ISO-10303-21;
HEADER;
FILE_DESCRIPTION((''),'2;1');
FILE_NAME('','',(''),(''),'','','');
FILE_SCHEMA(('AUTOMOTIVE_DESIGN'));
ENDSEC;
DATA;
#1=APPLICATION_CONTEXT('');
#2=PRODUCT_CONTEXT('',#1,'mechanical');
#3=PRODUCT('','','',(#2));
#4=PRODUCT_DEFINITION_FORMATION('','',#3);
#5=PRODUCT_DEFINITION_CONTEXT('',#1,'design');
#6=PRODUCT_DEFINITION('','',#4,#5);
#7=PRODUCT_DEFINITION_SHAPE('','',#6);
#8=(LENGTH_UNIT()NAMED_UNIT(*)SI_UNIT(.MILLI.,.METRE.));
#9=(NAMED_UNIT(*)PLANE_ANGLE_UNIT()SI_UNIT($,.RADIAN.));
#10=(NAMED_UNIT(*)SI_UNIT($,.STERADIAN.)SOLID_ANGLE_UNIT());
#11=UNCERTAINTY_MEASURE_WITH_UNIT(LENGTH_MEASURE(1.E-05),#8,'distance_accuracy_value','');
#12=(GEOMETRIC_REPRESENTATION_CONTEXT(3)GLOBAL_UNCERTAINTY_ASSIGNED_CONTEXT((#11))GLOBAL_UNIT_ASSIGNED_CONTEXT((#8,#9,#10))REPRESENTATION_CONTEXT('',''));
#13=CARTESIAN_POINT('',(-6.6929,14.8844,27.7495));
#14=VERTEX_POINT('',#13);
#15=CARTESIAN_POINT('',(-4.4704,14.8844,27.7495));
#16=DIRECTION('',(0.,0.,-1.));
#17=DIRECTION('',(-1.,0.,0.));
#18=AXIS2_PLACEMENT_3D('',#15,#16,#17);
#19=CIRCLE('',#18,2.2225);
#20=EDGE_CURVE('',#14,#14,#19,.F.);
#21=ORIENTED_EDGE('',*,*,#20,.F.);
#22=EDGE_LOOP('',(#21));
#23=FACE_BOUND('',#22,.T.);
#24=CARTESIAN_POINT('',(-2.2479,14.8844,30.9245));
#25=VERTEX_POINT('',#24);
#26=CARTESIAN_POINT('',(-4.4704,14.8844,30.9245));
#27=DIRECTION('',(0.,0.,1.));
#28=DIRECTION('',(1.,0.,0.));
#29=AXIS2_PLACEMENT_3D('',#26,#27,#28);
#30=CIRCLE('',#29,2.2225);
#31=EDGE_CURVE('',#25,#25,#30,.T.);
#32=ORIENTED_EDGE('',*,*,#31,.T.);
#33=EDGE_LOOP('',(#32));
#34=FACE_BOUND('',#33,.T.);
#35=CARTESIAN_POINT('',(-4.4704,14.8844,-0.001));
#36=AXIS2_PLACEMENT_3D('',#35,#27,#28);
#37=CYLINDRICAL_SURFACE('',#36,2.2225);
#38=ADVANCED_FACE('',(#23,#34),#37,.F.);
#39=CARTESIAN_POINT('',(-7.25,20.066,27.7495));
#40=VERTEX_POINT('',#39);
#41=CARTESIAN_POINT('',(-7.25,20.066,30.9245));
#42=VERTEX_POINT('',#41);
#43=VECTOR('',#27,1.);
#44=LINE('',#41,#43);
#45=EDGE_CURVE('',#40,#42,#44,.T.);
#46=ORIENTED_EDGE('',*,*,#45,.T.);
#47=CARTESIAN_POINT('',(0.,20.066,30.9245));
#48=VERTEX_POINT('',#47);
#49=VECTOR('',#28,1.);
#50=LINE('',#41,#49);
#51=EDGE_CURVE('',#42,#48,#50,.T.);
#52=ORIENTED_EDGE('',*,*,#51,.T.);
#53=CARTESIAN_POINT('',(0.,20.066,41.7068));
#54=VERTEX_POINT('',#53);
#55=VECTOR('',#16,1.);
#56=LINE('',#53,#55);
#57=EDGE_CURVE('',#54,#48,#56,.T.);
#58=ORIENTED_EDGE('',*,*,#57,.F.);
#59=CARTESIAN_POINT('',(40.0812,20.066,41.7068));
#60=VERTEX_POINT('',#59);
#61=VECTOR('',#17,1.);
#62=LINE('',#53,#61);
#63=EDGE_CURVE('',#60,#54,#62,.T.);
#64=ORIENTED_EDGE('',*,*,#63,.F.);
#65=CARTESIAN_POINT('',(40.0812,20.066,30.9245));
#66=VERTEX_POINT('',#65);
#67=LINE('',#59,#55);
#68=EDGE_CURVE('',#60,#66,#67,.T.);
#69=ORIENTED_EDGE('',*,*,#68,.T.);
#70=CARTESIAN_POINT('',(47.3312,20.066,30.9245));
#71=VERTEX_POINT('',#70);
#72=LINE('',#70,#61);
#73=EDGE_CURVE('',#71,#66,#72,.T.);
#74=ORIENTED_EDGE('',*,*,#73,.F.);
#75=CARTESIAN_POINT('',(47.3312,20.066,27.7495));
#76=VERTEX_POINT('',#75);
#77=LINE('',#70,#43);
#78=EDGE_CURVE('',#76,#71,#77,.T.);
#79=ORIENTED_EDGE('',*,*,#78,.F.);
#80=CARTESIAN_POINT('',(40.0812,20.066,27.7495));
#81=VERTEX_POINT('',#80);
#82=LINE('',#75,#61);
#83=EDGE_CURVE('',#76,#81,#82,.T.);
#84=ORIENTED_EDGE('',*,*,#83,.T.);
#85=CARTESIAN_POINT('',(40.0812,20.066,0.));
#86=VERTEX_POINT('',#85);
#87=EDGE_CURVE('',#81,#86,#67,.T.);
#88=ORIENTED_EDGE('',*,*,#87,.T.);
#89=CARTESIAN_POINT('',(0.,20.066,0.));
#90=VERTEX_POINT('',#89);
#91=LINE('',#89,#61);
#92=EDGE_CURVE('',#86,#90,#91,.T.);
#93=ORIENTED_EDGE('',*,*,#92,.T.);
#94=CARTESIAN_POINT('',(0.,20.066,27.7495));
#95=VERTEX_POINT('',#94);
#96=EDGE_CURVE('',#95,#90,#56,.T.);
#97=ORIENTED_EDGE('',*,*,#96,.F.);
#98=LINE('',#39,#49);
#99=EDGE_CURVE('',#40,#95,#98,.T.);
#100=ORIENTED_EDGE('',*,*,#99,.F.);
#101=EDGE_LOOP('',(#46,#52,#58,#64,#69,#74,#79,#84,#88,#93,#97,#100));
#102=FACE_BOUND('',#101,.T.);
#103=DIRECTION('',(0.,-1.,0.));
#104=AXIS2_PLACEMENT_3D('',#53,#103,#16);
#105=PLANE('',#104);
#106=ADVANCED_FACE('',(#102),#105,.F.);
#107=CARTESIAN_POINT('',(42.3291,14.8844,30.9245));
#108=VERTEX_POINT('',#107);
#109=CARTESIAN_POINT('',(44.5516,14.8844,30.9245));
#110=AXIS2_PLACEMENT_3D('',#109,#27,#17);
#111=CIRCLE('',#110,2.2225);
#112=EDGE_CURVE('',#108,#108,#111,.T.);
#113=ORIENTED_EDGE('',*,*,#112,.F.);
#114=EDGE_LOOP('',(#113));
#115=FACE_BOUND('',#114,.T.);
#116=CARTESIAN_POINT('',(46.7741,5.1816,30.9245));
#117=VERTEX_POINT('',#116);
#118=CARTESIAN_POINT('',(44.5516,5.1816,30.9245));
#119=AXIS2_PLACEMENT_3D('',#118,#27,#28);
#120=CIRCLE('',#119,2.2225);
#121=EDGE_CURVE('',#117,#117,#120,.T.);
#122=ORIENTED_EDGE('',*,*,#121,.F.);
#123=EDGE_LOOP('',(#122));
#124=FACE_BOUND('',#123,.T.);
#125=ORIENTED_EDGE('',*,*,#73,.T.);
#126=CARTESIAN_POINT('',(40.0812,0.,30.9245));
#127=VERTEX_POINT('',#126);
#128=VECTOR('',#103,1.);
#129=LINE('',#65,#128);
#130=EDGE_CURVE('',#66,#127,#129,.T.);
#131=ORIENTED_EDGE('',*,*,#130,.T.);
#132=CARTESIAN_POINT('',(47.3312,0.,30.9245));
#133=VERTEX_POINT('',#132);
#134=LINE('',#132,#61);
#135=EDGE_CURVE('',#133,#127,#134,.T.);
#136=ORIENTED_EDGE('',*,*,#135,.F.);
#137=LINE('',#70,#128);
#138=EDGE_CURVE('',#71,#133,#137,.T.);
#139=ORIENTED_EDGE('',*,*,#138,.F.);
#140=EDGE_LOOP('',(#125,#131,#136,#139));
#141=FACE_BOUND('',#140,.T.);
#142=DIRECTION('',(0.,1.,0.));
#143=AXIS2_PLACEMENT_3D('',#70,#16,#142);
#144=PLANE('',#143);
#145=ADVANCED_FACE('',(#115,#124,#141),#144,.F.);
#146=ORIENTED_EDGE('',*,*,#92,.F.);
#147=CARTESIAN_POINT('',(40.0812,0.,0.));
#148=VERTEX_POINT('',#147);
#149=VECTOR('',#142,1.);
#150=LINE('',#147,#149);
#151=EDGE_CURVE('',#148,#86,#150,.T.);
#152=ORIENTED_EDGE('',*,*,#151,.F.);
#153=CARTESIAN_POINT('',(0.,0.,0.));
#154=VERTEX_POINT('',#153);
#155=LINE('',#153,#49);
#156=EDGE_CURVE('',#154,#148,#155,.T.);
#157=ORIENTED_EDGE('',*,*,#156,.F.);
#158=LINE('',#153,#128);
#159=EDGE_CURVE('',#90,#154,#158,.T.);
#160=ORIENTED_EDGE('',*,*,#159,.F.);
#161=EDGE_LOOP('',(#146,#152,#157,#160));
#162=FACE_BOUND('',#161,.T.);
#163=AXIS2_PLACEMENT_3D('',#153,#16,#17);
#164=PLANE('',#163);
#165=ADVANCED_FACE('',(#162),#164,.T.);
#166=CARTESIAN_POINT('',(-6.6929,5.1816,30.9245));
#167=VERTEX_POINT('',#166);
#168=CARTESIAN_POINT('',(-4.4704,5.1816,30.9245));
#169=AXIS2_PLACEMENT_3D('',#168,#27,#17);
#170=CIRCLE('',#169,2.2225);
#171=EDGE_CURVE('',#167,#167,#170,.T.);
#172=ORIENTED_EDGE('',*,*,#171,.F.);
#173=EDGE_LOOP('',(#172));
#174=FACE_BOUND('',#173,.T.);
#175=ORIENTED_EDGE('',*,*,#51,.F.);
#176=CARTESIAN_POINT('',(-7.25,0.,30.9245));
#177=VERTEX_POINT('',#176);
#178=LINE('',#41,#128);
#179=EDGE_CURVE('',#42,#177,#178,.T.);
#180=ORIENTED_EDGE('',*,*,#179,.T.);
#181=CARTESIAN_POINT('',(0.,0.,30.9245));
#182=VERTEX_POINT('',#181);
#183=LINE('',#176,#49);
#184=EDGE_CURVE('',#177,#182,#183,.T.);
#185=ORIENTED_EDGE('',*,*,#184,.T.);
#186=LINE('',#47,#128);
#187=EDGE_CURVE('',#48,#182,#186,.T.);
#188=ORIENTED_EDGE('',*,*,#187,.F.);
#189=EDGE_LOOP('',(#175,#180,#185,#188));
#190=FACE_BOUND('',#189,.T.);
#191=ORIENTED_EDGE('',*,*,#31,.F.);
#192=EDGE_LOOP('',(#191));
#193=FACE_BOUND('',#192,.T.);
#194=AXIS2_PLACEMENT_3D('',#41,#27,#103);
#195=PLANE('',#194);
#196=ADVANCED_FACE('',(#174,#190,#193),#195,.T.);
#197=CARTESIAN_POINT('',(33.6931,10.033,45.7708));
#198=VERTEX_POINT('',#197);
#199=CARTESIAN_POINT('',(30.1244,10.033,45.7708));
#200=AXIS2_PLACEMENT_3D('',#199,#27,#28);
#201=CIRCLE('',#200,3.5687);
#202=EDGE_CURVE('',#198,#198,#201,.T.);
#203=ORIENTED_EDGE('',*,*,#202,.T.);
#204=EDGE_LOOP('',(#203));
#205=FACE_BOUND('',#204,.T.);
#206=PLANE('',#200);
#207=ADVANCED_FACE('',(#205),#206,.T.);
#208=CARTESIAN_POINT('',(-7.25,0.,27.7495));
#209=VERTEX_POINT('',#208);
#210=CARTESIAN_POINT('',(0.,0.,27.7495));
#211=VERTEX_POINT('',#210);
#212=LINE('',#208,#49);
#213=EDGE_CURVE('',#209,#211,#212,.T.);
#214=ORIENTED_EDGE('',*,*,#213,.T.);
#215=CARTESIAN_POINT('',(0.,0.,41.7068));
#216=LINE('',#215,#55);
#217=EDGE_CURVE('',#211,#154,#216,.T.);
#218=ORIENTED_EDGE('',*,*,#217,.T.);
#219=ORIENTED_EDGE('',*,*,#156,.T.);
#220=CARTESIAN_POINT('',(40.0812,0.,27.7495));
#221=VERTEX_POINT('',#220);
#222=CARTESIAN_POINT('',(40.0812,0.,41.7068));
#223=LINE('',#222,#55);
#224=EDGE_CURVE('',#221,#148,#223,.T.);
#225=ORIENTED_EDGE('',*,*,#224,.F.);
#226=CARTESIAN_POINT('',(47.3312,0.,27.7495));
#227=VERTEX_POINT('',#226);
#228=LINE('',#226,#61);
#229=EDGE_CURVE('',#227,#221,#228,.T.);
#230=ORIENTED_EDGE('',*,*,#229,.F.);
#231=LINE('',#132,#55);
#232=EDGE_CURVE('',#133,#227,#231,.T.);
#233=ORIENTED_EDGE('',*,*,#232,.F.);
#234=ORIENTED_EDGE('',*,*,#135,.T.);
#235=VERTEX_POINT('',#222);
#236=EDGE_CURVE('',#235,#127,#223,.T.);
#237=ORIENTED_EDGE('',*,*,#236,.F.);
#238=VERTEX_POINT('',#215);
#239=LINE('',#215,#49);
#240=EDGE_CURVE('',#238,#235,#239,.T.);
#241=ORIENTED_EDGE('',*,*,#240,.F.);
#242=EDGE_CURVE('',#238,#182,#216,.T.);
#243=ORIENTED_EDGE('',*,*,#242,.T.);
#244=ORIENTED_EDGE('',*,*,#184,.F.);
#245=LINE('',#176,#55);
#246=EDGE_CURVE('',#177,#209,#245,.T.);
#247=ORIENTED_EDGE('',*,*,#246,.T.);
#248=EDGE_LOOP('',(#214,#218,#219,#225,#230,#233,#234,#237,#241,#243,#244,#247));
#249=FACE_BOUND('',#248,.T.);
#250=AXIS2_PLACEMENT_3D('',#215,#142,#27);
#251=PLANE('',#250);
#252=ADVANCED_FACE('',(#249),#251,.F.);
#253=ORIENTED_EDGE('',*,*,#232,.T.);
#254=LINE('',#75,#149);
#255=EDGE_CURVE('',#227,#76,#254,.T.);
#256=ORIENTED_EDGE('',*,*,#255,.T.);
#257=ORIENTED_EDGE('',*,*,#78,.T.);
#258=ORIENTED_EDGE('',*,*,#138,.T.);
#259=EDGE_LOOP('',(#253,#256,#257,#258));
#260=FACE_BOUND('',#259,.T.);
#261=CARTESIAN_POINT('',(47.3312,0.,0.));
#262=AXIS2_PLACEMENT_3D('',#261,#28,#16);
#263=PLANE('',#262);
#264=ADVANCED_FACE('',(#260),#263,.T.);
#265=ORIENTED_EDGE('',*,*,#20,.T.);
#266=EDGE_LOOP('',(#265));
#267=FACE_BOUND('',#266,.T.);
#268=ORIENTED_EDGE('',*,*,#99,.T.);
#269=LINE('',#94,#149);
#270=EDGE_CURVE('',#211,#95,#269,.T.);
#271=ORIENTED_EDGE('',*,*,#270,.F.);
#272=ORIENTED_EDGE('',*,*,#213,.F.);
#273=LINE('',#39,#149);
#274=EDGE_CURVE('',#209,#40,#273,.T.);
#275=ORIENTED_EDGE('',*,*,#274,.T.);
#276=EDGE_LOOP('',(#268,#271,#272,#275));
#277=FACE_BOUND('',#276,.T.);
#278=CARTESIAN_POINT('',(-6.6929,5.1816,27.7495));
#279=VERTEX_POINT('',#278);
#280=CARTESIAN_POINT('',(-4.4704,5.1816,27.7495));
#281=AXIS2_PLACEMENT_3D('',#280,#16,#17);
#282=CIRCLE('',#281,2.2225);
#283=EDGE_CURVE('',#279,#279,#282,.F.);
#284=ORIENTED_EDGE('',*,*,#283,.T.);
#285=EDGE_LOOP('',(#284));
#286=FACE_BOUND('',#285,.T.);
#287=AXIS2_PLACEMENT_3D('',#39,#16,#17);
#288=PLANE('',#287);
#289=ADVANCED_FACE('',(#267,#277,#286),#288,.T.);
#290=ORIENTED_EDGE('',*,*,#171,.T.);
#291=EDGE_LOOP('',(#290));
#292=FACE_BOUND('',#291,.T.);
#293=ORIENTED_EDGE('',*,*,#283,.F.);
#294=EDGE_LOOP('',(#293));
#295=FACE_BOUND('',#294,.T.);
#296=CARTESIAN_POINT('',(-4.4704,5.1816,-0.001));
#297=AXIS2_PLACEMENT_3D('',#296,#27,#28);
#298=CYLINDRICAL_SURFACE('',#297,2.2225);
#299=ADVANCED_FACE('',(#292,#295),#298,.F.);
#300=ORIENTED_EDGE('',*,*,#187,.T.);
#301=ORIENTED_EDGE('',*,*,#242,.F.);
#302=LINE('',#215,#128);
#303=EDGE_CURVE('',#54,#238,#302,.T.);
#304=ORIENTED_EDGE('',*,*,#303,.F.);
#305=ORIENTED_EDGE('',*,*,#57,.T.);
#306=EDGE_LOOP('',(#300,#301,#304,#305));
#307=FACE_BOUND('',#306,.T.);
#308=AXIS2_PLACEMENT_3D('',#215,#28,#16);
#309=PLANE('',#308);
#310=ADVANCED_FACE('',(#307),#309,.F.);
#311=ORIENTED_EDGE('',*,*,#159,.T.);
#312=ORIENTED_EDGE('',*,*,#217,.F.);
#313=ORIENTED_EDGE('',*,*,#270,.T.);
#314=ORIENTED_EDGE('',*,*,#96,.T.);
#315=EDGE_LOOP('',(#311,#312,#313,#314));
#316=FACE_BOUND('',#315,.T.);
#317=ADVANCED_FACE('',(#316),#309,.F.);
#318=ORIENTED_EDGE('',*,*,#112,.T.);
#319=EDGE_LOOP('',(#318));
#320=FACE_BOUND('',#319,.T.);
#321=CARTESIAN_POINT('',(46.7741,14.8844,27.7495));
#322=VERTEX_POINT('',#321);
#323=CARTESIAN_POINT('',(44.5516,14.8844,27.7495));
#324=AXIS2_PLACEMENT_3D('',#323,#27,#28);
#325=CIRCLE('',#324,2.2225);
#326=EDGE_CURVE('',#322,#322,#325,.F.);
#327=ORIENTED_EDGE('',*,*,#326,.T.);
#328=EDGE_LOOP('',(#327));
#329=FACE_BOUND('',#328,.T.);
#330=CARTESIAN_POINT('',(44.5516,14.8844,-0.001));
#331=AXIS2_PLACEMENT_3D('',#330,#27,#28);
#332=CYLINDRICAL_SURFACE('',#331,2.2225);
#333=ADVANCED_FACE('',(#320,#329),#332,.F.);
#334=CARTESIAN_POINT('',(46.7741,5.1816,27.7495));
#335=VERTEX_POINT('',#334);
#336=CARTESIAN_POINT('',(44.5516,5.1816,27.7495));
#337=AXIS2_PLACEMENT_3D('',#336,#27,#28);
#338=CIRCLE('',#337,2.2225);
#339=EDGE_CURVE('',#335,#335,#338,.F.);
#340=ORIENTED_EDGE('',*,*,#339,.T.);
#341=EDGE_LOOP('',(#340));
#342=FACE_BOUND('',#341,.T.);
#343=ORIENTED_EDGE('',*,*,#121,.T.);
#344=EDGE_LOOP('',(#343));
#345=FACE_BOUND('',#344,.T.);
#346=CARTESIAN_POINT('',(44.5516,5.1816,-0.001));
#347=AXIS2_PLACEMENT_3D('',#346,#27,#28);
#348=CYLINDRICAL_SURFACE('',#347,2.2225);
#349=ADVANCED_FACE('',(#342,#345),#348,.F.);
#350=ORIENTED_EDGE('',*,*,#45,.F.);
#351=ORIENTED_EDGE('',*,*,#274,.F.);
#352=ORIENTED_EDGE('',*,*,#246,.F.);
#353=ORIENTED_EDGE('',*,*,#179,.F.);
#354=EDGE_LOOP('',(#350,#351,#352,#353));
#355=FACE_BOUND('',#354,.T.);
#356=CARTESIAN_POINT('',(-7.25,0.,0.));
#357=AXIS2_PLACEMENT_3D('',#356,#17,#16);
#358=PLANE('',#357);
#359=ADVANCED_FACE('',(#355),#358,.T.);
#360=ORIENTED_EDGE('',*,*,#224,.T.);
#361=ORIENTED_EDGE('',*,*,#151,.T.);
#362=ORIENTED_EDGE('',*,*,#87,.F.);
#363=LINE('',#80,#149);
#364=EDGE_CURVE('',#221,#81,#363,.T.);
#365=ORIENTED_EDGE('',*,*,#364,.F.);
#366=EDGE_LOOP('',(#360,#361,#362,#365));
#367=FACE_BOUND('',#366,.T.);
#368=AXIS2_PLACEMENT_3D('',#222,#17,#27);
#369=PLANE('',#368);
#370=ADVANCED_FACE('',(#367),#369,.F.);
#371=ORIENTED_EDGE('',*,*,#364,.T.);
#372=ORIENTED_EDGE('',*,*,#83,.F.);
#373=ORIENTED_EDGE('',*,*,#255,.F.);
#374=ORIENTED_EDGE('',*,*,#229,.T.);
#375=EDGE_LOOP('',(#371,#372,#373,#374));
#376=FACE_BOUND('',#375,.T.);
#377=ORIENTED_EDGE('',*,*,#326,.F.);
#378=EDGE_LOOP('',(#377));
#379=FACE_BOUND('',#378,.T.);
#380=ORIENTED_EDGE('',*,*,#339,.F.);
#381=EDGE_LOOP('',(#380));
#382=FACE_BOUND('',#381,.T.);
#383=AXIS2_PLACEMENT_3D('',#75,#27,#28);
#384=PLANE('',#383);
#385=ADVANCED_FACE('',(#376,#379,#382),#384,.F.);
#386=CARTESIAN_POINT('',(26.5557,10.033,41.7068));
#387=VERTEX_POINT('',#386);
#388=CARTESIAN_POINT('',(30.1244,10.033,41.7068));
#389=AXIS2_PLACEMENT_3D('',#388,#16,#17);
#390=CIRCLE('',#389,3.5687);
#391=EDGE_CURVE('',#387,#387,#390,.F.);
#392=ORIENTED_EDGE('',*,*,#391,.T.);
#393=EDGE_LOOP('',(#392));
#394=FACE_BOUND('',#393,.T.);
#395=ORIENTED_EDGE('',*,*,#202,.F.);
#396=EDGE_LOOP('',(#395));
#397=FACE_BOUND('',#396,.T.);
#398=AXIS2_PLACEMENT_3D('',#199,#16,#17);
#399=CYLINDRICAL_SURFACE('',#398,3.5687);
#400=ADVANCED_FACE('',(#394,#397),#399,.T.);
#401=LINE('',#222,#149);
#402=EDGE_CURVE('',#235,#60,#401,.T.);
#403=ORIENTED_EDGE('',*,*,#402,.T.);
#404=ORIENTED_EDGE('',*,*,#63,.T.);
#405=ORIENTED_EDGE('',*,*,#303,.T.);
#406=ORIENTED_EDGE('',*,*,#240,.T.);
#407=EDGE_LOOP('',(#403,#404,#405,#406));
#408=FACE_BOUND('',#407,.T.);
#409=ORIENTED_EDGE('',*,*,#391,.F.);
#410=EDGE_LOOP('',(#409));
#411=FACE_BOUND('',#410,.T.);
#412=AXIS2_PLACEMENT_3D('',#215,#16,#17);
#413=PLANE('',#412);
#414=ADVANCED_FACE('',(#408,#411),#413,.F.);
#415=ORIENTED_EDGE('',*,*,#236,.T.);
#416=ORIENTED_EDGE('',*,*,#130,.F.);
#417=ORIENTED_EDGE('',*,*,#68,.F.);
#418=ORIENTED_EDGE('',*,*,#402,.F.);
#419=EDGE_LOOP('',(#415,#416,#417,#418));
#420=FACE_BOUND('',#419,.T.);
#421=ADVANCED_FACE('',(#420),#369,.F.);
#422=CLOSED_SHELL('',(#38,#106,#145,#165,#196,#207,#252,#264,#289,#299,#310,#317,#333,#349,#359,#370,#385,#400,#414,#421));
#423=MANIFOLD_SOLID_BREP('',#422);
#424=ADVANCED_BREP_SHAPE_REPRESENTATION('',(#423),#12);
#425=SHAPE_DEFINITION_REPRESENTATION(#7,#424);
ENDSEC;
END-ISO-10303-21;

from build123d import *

# Parameters (mm, degrees)
SKETCH1_W           = 40.0812
SKETCH1_H           = 20.066
BOSS_EXTRUDE1_DEPTH = 41.7068
SKETCH2_W           = 3.175
SKETCH2_H           = 20.066
BOSS_EXTRUDE2_DEPTH = 7.25
CUT_EXTRUDE1_REACH  = 61.993
SKETCH3_R           = 2.2225
SKETCH4_R           = 3.5687
BOSS_EXTRUDE3_DEPTH = 4.064


with BuildPart() as part:
    # Sketch1 → Boss-Extrude1 (new body)
    with BuildSketch(Plane.XY):
        with Locations((20.0406, 10.033)):
            Rectangle(SKETCH1_W, SKETCH1_H)
    extrude(amount=BOSS_EXTRUDE1_DEPTH)

    # Sketch2 → Boss-Extrude2 (add)
    with BuildSketch(Plane(origin=(40.0812, 0, 0), x_dir=(0, 0, -1), z_dir=(1, 0, 0))):
        with Locations((-29.337, 10.033)):
            Rectangle(SKETCH2_W, SKETCH2_H)
    boss_extrude2 = extrude(amount=BOSS_EXTRUDE2_DEPTH)

    # Mirror1: Boss-Extrude2 across plane
    add(boss_extrude2.mirror(Plane.ZY.offset(-20.0406)))

    # Sketch3 → Cut-Extrude1 (cut, up to next)
    with BuildSketch(Plane.XY.offset(30.9245), mode=Mode.PRIVATE) as cut_extrude1_sk1:
        with Locations((44.5516, 5.1816)):
            Circle(SKETCH3_R)
    cut_extrude1_tool1 = extrude(cut_extrude1_sk1.sketch, amount=-CUT_EXTRUDE1_REACH, mode=Mode.PRIVATE) & part.part
    # Sketch3 → Cut-Extrude1 (cut, up to next)
    with BuildSketch(Plane.XY.offset(30.9245), mode=Mode.PRIVATE) as cut_extrude1_sk2:
        with Locations(Location((-4.4704, 5.1816, 0), (0, 0, 180))):
            Circle(SKETCH3_R)
    cut_extrude1_tool2 = extrude(cut_extrude1_sk2.sketch, amount=-CUT_EXTRUDE1_REACH, mode=Mode.PRIVATE) & part.part
    # Sketch3 → Cut-Extrude1 (cut, up to next)
    with BuildSketch(Plane.XY.offset(30.9245), mode=Mode.PRIVATE) as cut_extrude1_sk3:
        with Locations((-4.4704, 14.8844)):
            Circle(SKETCH3_R)
    cut_extrude1_tool3 = extrude(cut_extrude1_sk3.sketch, amount=-CUT_EXTRUDE1_REACH, mode=Mode.PRIVATE) & part.part
    # Sketch3 → Cut-Extrude1 (cut, up to next)
    with BuildSketch(Plane.XY.offset(30.9245), mode=Mode.PRIVATE) as cut_extrude1_sk4:
        with Locations((44.5516, 14.8844)):
            Circle(SKETCH3_R)
    cut_extrude1_tool4 = extrude(cut_extrude1_sk4.sketch, amount=-CUT_EXTRUDE1_REACH, mode=Mode.PRIVATE) & part.part
    add(cut_extrude1_tool1.solids().sort_by_distance((44.5516, 5.1816, 30.9245))[0], mode=Mode.SUBTRACT)
    add(cut_extrude1_tool2.solids().sort_by_distance((-4.4704, 5.1816, 30.9245))[0], mode=Mode.SUBTRACT)
    add(cut_extrude1_tool3.solids().sort_by_distance((-4.4704, 14.8844, 30.9245))[0], mode=Mode.SUBTRACT)
    add(cut_extrude1_tool4.solids().sort_by_distance((44.5516, 14.8844, 30.9245))[0], mode=Mode.SUBTRACT)

    # Sketch4 → Boss-Extrude3 (add)
    with BuildSketch(Plane.XY.offset(41.7068)):
        with Locations(Location((30.1244, 10.033, 0), (0, 0, 180))):
            Circle(SKETCH4_R)
    extrude(amount=BOSS_EXTRUDE3_DEPTH)


solid = part.part
